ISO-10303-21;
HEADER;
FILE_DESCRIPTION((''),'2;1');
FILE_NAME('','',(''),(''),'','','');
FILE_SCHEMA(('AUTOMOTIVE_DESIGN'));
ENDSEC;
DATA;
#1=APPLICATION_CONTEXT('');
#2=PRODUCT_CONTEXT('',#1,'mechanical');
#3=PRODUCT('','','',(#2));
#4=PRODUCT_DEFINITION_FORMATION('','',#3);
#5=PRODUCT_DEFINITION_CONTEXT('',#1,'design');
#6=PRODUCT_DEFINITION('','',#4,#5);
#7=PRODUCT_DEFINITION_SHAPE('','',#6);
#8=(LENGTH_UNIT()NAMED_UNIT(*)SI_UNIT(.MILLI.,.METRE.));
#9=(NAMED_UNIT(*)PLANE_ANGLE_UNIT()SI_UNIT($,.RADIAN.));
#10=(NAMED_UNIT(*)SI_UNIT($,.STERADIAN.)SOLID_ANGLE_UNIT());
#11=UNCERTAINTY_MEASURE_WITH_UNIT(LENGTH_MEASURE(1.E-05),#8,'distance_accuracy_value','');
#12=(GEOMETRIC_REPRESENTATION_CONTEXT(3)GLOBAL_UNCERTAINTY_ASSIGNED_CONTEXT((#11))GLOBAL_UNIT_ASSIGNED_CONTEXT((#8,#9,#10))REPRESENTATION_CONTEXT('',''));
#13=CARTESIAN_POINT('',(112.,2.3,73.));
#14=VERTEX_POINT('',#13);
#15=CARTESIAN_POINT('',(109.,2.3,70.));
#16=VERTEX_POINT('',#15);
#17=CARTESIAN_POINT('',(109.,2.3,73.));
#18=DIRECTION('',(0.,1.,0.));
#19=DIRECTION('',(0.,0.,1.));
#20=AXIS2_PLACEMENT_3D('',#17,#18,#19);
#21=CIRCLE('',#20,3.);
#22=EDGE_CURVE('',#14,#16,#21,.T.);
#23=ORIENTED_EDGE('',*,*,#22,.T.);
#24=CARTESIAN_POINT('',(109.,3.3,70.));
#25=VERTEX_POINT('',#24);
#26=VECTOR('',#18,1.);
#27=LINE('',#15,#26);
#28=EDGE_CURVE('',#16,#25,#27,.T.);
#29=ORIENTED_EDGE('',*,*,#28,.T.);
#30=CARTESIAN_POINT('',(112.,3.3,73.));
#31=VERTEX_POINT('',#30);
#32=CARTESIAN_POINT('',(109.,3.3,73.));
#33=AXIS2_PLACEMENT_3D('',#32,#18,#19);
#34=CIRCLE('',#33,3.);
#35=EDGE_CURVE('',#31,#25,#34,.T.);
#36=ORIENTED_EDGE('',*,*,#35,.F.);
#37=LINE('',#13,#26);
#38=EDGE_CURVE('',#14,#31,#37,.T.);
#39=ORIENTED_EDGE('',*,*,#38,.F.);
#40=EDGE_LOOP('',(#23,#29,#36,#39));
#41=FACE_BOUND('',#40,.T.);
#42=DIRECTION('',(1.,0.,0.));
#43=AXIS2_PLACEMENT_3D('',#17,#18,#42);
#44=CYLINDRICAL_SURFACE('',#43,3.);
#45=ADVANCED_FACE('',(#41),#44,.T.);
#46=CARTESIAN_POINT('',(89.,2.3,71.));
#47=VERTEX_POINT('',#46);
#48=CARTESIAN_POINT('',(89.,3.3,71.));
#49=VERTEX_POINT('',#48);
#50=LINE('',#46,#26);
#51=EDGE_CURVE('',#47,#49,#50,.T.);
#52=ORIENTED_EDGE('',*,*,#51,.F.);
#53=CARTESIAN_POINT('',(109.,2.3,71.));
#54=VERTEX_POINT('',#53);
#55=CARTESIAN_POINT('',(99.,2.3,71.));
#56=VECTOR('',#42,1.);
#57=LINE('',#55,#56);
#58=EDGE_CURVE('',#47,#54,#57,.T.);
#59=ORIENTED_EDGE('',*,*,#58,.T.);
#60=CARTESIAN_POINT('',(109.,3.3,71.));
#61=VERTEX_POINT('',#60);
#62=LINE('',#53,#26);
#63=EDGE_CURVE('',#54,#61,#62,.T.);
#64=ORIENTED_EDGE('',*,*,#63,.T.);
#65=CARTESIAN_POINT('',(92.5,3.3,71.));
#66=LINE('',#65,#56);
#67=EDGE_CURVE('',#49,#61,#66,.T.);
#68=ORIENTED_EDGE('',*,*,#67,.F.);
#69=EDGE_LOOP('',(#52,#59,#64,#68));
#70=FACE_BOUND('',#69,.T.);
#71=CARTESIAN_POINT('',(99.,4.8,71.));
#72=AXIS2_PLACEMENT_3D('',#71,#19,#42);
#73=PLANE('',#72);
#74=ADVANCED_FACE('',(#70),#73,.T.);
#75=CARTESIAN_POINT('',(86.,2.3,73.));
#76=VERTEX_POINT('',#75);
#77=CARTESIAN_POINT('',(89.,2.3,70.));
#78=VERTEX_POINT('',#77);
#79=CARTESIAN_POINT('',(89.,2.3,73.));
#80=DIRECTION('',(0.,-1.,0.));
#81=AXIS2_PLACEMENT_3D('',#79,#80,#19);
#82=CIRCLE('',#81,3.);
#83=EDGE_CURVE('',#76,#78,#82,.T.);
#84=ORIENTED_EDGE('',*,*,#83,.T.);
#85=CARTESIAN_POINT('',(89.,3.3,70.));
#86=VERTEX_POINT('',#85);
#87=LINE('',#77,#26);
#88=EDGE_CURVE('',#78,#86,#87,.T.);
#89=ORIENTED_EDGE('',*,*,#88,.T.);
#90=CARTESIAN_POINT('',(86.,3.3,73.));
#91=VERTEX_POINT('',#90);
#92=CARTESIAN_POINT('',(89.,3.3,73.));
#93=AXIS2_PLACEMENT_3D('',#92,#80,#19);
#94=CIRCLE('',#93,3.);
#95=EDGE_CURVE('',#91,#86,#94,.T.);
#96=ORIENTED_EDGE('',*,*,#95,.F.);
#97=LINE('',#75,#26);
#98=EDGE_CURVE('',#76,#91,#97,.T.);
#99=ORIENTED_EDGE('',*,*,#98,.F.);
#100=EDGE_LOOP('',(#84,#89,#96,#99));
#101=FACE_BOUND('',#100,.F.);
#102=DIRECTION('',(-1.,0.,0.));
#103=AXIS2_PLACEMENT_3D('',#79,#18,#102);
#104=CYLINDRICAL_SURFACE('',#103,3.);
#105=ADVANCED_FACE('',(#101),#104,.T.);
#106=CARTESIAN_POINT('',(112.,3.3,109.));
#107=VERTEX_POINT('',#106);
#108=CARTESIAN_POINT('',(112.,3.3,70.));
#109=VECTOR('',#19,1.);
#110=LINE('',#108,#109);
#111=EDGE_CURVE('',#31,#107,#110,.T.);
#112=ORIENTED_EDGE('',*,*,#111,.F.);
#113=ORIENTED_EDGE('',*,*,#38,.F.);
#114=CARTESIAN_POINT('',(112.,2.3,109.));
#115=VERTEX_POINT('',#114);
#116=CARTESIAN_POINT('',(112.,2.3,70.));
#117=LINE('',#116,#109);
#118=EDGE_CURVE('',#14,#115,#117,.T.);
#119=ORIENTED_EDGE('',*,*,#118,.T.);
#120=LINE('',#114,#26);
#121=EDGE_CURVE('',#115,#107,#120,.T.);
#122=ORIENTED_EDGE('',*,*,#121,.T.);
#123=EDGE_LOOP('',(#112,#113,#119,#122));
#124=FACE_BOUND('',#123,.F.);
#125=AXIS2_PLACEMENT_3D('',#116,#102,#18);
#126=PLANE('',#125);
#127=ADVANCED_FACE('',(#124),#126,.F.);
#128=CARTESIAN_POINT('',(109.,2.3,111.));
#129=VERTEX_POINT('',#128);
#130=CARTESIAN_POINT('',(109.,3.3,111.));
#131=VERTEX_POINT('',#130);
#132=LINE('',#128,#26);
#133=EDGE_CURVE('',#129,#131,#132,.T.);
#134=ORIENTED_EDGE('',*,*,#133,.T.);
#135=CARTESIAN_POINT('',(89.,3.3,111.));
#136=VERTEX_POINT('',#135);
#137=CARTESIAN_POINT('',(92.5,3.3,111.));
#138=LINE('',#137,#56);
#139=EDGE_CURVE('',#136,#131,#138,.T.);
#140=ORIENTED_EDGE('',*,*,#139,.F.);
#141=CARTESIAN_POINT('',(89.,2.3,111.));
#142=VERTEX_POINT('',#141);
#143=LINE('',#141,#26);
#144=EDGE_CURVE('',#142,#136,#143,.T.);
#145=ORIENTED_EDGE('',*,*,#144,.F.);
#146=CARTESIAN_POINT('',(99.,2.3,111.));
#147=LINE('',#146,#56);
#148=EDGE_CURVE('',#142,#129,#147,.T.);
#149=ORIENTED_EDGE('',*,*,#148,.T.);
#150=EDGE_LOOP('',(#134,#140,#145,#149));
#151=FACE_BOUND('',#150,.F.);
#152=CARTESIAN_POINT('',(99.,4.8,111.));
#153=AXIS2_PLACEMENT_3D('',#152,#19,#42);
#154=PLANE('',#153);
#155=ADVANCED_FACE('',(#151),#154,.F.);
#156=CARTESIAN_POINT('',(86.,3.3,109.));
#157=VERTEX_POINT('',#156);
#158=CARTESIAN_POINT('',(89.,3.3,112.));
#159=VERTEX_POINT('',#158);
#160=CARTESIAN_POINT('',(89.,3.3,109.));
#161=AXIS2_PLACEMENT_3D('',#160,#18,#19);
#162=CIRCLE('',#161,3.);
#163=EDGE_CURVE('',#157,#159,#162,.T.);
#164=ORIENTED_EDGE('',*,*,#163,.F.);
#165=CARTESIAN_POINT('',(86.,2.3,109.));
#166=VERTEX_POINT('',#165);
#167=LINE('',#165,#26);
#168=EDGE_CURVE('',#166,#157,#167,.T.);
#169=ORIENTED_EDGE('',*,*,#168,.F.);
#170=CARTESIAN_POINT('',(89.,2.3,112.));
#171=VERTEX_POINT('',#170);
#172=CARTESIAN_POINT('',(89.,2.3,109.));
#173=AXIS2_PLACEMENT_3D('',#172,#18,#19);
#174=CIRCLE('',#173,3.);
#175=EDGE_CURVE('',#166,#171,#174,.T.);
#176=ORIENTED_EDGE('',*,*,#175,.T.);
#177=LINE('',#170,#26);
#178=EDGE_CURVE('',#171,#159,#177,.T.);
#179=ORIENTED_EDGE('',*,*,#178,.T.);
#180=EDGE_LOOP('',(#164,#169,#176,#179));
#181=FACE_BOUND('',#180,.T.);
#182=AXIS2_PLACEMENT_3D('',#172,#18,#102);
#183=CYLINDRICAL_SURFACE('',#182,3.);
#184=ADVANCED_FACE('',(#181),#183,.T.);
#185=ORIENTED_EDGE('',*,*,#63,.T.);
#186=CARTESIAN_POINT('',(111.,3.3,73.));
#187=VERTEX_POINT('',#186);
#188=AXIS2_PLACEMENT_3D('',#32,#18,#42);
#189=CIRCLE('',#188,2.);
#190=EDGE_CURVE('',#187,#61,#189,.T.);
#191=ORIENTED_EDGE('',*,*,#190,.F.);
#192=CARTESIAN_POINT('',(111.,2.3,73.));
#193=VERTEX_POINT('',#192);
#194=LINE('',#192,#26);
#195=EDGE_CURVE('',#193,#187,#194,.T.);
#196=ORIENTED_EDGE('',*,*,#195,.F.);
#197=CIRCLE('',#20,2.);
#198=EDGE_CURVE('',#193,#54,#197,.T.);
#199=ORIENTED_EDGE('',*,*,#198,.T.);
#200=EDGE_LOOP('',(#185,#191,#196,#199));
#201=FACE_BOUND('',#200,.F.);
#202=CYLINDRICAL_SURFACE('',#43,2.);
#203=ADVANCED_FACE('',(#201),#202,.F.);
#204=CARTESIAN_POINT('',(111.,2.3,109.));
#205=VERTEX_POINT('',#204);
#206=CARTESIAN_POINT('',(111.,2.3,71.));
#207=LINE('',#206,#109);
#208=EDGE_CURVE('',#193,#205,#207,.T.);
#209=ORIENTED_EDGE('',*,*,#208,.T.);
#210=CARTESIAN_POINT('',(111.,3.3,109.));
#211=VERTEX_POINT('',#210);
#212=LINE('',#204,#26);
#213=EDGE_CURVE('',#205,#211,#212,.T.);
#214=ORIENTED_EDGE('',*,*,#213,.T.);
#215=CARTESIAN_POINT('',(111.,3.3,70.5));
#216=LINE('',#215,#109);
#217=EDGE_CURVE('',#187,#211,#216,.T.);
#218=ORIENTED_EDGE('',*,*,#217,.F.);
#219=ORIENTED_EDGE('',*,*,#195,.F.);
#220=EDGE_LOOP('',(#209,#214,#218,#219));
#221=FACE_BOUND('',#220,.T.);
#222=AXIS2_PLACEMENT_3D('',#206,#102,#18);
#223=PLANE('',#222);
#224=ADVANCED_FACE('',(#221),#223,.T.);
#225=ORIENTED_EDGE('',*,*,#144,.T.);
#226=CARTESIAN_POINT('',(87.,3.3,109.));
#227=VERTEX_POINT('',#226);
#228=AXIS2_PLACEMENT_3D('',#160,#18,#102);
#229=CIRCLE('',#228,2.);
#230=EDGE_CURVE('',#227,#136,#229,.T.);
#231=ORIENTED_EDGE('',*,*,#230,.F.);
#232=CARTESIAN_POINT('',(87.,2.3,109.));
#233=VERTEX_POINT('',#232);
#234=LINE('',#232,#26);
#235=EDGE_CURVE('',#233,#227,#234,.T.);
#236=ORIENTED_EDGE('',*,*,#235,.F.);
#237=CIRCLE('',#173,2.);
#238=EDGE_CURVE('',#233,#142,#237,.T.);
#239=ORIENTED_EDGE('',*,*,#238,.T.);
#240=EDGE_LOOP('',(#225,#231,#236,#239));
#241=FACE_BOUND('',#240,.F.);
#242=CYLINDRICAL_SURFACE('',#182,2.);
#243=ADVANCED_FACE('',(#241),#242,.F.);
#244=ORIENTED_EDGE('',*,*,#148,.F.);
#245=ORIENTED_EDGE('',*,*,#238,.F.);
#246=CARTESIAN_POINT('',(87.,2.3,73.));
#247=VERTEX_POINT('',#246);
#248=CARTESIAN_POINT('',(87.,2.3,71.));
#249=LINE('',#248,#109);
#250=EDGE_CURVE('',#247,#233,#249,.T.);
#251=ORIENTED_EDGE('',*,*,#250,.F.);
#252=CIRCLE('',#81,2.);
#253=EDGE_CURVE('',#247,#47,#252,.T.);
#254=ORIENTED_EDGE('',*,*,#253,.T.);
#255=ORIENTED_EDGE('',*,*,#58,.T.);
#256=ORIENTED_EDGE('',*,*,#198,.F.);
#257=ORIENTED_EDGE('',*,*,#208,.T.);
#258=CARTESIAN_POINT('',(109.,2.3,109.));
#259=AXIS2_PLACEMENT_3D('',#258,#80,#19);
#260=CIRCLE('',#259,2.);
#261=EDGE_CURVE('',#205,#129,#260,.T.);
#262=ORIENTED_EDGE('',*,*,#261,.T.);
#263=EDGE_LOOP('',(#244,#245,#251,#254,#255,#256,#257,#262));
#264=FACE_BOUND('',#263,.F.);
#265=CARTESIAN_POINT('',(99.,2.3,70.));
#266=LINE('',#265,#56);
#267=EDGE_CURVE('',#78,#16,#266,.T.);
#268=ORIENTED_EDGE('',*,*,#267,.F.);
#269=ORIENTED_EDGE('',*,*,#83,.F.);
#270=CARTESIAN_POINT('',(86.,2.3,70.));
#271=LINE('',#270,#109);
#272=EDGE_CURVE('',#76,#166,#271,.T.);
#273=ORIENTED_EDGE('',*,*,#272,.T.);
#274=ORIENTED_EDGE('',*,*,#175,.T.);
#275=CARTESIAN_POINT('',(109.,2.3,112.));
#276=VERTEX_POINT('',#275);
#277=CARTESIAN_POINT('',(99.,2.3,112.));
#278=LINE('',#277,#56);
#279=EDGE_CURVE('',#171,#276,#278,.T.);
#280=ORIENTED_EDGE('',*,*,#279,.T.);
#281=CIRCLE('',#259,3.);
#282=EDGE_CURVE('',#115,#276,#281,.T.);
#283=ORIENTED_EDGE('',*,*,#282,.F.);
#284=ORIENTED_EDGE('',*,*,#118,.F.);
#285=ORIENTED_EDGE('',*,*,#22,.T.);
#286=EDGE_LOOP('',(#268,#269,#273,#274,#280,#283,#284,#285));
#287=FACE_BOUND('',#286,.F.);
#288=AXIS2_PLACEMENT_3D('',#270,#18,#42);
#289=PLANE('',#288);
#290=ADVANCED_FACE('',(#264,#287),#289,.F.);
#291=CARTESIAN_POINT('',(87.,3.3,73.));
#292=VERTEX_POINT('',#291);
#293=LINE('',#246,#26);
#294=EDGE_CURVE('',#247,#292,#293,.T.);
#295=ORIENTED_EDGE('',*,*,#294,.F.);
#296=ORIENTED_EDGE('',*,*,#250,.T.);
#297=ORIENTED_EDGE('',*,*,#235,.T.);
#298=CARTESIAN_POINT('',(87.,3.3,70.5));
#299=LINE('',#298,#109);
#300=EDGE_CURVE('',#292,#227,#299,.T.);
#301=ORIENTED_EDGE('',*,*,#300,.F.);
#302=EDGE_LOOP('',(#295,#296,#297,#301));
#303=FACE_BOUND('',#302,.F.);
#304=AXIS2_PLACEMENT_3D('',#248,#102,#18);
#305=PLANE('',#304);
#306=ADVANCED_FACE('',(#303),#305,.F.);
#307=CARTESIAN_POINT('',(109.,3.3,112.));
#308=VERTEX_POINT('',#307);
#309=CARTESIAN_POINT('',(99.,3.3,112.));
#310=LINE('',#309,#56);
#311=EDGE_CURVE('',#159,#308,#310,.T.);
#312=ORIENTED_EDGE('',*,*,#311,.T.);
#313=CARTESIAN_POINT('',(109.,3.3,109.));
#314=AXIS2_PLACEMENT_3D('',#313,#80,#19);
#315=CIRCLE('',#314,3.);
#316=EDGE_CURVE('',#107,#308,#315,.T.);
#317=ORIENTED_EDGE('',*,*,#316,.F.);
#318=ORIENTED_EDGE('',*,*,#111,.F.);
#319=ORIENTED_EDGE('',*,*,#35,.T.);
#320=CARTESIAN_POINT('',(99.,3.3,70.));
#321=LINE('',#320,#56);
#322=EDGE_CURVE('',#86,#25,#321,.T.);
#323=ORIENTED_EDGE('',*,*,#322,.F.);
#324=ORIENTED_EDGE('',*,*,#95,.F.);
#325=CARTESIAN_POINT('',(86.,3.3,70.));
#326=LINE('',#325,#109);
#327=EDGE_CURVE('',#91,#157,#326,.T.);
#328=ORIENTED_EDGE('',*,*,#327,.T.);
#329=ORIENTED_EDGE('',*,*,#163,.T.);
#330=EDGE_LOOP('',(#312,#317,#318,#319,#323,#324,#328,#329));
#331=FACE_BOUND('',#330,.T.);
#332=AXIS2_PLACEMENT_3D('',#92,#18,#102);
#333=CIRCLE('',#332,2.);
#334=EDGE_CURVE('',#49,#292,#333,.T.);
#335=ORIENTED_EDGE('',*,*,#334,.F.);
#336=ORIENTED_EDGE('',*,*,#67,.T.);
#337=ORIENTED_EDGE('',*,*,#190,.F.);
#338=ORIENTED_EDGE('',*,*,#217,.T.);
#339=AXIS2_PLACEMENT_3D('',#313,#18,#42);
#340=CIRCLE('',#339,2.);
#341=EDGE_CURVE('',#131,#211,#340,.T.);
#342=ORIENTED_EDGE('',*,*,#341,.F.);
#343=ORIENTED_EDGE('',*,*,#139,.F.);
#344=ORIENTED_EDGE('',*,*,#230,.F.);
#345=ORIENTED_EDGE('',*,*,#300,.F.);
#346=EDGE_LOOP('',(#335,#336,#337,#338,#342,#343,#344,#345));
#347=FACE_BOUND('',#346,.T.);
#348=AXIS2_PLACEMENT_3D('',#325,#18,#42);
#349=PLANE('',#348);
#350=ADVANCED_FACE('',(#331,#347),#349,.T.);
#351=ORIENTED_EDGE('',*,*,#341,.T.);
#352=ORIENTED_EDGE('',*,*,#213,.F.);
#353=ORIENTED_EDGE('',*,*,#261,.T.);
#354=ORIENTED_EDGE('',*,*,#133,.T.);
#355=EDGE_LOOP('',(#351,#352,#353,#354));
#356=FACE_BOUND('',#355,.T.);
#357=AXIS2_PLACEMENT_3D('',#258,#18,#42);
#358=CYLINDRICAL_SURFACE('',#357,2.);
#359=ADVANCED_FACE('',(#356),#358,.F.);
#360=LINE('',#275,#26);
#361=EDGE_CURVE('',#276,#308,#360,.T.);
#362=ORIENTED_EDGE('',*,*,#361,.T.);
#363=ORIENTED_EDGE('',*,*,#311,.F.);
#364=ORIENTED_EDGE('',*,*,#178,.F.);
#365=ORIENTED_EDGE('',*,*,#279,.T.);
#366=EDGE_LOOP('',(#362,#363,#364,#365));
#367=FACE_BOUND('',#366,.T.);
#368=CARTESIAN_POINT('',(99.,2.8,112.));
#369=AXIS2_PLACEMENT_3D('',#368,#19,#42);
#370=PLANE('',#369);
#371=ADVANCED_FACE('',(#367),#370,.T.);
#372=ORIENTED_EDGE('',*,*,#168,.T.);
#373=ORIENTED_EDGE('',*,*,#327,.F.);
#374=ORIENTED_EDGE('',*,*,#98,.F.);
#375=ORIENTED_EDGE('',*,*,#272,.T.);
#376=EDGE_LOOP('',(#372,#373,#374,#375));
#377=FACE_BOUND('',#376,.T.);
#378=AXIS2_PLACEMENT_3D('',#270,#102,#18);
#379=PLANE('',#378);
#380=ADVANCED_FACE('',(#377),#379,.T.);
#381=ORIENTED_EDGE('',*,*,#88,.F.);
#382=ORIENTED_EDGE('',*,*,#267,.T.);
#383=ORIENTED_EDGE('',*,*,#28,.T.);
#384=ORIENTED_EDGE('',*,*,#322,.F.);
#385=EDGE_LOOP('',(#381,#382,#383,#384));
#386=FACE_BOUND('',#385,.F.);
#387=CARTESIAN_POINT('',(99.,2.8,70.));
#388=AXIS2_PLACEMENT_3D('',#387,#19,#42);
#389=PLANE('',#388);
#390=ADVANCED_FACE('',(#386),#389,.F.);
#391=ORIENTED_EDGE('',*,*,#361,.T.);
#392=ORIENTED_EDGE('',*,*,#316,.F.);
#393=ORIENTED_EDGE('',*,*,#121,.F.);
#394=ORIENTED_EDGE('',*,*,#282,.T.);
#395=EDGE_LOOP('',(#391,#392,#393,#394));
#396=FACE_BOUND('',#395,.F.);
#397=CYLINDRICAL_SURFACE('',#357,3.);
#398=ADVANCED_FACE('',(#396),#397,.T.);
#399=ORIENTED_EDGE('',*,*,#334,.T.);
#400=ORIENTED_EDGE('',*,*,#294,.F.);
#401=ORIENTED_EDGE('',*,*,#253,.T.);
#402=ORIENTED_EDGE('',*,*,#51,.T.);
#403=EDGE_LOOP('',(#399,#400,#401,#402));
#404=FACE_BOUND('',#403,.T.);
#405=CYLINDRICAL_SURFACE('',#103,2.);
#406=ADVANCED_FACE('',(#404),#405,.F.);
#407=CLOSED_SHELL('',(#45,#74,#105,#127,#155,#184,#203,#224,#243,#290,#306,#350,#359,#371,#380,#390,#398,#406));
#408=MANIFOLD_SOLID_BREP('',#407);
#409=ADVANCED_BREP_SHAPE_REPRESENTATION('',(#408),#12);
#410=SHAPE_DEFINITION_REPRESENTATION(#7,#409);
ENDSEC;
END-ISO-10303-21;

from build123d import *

# Parameters (mm, degrees)
BOX051_W     = 24
BOX051_H     = 5
BOX051_DEPTH = 40
FILLET059_R  = 2
BOX004_W     = 26
BOX004_H     = 1
BOX004_DEPTH = 42
FILLET003_R  = 3


with BuildPart() as fillet059:
    # Box051 → Box051 (new body)
    with BuildSketch(Plane(origin=(90, 4.3, 71), x_dir=(1, 0, 0), z_dir=(0, 0, 1))):
        with Locations((12, 2.5)):
            Rectangle(BOX051_W, BOX051_H)
    extrude(amount=BOX051_DEPTH)

    # Fillet059
    fillet059_edges = [fillet059.edges().sort_by_distance(p)[0] for p in [
        (90, 6.8, 111),
        (90, 6.8, 71),
        (114, 6.8, 111),
        (114, 6.8, 71),
    ]]
    fillet(fillet059_edges, radius=FILLET059_R)


with BuildPart() as fillet059_1:
    # Fillet059 placement: moved
    add(fillet059.part.moved(Location((-3, -2, 0))))


with BuildPart() as cut037:
    # Box004 → Box004 (new body)
    with BuildSketch(Plane(origin=(89, 4.3, 70), x_dir=(1, 0, 0), z_dir=(0, 0, 1))):
        with Locations((13, 0.5)):
            Rectangle(BOX004_W, BOX004_H)
    extrude(amount=BOX004_DEPTH)

    # Fillet003
    fillet003_edges = [cut037.edges().sort_by_distance(p)[0] for p in [
        (89, 4.8, 112),
        (89, 4.8, 70),
        (115, 4.8, 112),
        (115, 4.8, 70),
    ]]
    fillet(fillet003_edges, radius=FILLET003_R)


with BuildPart() as cut037_1:
    # Fillet003 placement: moved
    add(cut037.part.moved(Location((-3, -2, 0))))

    # Cut037: cut Fillet059
    add(fillet059_1.part, mode=Mode.SUBTRACT)


solid = cut037_1.part
